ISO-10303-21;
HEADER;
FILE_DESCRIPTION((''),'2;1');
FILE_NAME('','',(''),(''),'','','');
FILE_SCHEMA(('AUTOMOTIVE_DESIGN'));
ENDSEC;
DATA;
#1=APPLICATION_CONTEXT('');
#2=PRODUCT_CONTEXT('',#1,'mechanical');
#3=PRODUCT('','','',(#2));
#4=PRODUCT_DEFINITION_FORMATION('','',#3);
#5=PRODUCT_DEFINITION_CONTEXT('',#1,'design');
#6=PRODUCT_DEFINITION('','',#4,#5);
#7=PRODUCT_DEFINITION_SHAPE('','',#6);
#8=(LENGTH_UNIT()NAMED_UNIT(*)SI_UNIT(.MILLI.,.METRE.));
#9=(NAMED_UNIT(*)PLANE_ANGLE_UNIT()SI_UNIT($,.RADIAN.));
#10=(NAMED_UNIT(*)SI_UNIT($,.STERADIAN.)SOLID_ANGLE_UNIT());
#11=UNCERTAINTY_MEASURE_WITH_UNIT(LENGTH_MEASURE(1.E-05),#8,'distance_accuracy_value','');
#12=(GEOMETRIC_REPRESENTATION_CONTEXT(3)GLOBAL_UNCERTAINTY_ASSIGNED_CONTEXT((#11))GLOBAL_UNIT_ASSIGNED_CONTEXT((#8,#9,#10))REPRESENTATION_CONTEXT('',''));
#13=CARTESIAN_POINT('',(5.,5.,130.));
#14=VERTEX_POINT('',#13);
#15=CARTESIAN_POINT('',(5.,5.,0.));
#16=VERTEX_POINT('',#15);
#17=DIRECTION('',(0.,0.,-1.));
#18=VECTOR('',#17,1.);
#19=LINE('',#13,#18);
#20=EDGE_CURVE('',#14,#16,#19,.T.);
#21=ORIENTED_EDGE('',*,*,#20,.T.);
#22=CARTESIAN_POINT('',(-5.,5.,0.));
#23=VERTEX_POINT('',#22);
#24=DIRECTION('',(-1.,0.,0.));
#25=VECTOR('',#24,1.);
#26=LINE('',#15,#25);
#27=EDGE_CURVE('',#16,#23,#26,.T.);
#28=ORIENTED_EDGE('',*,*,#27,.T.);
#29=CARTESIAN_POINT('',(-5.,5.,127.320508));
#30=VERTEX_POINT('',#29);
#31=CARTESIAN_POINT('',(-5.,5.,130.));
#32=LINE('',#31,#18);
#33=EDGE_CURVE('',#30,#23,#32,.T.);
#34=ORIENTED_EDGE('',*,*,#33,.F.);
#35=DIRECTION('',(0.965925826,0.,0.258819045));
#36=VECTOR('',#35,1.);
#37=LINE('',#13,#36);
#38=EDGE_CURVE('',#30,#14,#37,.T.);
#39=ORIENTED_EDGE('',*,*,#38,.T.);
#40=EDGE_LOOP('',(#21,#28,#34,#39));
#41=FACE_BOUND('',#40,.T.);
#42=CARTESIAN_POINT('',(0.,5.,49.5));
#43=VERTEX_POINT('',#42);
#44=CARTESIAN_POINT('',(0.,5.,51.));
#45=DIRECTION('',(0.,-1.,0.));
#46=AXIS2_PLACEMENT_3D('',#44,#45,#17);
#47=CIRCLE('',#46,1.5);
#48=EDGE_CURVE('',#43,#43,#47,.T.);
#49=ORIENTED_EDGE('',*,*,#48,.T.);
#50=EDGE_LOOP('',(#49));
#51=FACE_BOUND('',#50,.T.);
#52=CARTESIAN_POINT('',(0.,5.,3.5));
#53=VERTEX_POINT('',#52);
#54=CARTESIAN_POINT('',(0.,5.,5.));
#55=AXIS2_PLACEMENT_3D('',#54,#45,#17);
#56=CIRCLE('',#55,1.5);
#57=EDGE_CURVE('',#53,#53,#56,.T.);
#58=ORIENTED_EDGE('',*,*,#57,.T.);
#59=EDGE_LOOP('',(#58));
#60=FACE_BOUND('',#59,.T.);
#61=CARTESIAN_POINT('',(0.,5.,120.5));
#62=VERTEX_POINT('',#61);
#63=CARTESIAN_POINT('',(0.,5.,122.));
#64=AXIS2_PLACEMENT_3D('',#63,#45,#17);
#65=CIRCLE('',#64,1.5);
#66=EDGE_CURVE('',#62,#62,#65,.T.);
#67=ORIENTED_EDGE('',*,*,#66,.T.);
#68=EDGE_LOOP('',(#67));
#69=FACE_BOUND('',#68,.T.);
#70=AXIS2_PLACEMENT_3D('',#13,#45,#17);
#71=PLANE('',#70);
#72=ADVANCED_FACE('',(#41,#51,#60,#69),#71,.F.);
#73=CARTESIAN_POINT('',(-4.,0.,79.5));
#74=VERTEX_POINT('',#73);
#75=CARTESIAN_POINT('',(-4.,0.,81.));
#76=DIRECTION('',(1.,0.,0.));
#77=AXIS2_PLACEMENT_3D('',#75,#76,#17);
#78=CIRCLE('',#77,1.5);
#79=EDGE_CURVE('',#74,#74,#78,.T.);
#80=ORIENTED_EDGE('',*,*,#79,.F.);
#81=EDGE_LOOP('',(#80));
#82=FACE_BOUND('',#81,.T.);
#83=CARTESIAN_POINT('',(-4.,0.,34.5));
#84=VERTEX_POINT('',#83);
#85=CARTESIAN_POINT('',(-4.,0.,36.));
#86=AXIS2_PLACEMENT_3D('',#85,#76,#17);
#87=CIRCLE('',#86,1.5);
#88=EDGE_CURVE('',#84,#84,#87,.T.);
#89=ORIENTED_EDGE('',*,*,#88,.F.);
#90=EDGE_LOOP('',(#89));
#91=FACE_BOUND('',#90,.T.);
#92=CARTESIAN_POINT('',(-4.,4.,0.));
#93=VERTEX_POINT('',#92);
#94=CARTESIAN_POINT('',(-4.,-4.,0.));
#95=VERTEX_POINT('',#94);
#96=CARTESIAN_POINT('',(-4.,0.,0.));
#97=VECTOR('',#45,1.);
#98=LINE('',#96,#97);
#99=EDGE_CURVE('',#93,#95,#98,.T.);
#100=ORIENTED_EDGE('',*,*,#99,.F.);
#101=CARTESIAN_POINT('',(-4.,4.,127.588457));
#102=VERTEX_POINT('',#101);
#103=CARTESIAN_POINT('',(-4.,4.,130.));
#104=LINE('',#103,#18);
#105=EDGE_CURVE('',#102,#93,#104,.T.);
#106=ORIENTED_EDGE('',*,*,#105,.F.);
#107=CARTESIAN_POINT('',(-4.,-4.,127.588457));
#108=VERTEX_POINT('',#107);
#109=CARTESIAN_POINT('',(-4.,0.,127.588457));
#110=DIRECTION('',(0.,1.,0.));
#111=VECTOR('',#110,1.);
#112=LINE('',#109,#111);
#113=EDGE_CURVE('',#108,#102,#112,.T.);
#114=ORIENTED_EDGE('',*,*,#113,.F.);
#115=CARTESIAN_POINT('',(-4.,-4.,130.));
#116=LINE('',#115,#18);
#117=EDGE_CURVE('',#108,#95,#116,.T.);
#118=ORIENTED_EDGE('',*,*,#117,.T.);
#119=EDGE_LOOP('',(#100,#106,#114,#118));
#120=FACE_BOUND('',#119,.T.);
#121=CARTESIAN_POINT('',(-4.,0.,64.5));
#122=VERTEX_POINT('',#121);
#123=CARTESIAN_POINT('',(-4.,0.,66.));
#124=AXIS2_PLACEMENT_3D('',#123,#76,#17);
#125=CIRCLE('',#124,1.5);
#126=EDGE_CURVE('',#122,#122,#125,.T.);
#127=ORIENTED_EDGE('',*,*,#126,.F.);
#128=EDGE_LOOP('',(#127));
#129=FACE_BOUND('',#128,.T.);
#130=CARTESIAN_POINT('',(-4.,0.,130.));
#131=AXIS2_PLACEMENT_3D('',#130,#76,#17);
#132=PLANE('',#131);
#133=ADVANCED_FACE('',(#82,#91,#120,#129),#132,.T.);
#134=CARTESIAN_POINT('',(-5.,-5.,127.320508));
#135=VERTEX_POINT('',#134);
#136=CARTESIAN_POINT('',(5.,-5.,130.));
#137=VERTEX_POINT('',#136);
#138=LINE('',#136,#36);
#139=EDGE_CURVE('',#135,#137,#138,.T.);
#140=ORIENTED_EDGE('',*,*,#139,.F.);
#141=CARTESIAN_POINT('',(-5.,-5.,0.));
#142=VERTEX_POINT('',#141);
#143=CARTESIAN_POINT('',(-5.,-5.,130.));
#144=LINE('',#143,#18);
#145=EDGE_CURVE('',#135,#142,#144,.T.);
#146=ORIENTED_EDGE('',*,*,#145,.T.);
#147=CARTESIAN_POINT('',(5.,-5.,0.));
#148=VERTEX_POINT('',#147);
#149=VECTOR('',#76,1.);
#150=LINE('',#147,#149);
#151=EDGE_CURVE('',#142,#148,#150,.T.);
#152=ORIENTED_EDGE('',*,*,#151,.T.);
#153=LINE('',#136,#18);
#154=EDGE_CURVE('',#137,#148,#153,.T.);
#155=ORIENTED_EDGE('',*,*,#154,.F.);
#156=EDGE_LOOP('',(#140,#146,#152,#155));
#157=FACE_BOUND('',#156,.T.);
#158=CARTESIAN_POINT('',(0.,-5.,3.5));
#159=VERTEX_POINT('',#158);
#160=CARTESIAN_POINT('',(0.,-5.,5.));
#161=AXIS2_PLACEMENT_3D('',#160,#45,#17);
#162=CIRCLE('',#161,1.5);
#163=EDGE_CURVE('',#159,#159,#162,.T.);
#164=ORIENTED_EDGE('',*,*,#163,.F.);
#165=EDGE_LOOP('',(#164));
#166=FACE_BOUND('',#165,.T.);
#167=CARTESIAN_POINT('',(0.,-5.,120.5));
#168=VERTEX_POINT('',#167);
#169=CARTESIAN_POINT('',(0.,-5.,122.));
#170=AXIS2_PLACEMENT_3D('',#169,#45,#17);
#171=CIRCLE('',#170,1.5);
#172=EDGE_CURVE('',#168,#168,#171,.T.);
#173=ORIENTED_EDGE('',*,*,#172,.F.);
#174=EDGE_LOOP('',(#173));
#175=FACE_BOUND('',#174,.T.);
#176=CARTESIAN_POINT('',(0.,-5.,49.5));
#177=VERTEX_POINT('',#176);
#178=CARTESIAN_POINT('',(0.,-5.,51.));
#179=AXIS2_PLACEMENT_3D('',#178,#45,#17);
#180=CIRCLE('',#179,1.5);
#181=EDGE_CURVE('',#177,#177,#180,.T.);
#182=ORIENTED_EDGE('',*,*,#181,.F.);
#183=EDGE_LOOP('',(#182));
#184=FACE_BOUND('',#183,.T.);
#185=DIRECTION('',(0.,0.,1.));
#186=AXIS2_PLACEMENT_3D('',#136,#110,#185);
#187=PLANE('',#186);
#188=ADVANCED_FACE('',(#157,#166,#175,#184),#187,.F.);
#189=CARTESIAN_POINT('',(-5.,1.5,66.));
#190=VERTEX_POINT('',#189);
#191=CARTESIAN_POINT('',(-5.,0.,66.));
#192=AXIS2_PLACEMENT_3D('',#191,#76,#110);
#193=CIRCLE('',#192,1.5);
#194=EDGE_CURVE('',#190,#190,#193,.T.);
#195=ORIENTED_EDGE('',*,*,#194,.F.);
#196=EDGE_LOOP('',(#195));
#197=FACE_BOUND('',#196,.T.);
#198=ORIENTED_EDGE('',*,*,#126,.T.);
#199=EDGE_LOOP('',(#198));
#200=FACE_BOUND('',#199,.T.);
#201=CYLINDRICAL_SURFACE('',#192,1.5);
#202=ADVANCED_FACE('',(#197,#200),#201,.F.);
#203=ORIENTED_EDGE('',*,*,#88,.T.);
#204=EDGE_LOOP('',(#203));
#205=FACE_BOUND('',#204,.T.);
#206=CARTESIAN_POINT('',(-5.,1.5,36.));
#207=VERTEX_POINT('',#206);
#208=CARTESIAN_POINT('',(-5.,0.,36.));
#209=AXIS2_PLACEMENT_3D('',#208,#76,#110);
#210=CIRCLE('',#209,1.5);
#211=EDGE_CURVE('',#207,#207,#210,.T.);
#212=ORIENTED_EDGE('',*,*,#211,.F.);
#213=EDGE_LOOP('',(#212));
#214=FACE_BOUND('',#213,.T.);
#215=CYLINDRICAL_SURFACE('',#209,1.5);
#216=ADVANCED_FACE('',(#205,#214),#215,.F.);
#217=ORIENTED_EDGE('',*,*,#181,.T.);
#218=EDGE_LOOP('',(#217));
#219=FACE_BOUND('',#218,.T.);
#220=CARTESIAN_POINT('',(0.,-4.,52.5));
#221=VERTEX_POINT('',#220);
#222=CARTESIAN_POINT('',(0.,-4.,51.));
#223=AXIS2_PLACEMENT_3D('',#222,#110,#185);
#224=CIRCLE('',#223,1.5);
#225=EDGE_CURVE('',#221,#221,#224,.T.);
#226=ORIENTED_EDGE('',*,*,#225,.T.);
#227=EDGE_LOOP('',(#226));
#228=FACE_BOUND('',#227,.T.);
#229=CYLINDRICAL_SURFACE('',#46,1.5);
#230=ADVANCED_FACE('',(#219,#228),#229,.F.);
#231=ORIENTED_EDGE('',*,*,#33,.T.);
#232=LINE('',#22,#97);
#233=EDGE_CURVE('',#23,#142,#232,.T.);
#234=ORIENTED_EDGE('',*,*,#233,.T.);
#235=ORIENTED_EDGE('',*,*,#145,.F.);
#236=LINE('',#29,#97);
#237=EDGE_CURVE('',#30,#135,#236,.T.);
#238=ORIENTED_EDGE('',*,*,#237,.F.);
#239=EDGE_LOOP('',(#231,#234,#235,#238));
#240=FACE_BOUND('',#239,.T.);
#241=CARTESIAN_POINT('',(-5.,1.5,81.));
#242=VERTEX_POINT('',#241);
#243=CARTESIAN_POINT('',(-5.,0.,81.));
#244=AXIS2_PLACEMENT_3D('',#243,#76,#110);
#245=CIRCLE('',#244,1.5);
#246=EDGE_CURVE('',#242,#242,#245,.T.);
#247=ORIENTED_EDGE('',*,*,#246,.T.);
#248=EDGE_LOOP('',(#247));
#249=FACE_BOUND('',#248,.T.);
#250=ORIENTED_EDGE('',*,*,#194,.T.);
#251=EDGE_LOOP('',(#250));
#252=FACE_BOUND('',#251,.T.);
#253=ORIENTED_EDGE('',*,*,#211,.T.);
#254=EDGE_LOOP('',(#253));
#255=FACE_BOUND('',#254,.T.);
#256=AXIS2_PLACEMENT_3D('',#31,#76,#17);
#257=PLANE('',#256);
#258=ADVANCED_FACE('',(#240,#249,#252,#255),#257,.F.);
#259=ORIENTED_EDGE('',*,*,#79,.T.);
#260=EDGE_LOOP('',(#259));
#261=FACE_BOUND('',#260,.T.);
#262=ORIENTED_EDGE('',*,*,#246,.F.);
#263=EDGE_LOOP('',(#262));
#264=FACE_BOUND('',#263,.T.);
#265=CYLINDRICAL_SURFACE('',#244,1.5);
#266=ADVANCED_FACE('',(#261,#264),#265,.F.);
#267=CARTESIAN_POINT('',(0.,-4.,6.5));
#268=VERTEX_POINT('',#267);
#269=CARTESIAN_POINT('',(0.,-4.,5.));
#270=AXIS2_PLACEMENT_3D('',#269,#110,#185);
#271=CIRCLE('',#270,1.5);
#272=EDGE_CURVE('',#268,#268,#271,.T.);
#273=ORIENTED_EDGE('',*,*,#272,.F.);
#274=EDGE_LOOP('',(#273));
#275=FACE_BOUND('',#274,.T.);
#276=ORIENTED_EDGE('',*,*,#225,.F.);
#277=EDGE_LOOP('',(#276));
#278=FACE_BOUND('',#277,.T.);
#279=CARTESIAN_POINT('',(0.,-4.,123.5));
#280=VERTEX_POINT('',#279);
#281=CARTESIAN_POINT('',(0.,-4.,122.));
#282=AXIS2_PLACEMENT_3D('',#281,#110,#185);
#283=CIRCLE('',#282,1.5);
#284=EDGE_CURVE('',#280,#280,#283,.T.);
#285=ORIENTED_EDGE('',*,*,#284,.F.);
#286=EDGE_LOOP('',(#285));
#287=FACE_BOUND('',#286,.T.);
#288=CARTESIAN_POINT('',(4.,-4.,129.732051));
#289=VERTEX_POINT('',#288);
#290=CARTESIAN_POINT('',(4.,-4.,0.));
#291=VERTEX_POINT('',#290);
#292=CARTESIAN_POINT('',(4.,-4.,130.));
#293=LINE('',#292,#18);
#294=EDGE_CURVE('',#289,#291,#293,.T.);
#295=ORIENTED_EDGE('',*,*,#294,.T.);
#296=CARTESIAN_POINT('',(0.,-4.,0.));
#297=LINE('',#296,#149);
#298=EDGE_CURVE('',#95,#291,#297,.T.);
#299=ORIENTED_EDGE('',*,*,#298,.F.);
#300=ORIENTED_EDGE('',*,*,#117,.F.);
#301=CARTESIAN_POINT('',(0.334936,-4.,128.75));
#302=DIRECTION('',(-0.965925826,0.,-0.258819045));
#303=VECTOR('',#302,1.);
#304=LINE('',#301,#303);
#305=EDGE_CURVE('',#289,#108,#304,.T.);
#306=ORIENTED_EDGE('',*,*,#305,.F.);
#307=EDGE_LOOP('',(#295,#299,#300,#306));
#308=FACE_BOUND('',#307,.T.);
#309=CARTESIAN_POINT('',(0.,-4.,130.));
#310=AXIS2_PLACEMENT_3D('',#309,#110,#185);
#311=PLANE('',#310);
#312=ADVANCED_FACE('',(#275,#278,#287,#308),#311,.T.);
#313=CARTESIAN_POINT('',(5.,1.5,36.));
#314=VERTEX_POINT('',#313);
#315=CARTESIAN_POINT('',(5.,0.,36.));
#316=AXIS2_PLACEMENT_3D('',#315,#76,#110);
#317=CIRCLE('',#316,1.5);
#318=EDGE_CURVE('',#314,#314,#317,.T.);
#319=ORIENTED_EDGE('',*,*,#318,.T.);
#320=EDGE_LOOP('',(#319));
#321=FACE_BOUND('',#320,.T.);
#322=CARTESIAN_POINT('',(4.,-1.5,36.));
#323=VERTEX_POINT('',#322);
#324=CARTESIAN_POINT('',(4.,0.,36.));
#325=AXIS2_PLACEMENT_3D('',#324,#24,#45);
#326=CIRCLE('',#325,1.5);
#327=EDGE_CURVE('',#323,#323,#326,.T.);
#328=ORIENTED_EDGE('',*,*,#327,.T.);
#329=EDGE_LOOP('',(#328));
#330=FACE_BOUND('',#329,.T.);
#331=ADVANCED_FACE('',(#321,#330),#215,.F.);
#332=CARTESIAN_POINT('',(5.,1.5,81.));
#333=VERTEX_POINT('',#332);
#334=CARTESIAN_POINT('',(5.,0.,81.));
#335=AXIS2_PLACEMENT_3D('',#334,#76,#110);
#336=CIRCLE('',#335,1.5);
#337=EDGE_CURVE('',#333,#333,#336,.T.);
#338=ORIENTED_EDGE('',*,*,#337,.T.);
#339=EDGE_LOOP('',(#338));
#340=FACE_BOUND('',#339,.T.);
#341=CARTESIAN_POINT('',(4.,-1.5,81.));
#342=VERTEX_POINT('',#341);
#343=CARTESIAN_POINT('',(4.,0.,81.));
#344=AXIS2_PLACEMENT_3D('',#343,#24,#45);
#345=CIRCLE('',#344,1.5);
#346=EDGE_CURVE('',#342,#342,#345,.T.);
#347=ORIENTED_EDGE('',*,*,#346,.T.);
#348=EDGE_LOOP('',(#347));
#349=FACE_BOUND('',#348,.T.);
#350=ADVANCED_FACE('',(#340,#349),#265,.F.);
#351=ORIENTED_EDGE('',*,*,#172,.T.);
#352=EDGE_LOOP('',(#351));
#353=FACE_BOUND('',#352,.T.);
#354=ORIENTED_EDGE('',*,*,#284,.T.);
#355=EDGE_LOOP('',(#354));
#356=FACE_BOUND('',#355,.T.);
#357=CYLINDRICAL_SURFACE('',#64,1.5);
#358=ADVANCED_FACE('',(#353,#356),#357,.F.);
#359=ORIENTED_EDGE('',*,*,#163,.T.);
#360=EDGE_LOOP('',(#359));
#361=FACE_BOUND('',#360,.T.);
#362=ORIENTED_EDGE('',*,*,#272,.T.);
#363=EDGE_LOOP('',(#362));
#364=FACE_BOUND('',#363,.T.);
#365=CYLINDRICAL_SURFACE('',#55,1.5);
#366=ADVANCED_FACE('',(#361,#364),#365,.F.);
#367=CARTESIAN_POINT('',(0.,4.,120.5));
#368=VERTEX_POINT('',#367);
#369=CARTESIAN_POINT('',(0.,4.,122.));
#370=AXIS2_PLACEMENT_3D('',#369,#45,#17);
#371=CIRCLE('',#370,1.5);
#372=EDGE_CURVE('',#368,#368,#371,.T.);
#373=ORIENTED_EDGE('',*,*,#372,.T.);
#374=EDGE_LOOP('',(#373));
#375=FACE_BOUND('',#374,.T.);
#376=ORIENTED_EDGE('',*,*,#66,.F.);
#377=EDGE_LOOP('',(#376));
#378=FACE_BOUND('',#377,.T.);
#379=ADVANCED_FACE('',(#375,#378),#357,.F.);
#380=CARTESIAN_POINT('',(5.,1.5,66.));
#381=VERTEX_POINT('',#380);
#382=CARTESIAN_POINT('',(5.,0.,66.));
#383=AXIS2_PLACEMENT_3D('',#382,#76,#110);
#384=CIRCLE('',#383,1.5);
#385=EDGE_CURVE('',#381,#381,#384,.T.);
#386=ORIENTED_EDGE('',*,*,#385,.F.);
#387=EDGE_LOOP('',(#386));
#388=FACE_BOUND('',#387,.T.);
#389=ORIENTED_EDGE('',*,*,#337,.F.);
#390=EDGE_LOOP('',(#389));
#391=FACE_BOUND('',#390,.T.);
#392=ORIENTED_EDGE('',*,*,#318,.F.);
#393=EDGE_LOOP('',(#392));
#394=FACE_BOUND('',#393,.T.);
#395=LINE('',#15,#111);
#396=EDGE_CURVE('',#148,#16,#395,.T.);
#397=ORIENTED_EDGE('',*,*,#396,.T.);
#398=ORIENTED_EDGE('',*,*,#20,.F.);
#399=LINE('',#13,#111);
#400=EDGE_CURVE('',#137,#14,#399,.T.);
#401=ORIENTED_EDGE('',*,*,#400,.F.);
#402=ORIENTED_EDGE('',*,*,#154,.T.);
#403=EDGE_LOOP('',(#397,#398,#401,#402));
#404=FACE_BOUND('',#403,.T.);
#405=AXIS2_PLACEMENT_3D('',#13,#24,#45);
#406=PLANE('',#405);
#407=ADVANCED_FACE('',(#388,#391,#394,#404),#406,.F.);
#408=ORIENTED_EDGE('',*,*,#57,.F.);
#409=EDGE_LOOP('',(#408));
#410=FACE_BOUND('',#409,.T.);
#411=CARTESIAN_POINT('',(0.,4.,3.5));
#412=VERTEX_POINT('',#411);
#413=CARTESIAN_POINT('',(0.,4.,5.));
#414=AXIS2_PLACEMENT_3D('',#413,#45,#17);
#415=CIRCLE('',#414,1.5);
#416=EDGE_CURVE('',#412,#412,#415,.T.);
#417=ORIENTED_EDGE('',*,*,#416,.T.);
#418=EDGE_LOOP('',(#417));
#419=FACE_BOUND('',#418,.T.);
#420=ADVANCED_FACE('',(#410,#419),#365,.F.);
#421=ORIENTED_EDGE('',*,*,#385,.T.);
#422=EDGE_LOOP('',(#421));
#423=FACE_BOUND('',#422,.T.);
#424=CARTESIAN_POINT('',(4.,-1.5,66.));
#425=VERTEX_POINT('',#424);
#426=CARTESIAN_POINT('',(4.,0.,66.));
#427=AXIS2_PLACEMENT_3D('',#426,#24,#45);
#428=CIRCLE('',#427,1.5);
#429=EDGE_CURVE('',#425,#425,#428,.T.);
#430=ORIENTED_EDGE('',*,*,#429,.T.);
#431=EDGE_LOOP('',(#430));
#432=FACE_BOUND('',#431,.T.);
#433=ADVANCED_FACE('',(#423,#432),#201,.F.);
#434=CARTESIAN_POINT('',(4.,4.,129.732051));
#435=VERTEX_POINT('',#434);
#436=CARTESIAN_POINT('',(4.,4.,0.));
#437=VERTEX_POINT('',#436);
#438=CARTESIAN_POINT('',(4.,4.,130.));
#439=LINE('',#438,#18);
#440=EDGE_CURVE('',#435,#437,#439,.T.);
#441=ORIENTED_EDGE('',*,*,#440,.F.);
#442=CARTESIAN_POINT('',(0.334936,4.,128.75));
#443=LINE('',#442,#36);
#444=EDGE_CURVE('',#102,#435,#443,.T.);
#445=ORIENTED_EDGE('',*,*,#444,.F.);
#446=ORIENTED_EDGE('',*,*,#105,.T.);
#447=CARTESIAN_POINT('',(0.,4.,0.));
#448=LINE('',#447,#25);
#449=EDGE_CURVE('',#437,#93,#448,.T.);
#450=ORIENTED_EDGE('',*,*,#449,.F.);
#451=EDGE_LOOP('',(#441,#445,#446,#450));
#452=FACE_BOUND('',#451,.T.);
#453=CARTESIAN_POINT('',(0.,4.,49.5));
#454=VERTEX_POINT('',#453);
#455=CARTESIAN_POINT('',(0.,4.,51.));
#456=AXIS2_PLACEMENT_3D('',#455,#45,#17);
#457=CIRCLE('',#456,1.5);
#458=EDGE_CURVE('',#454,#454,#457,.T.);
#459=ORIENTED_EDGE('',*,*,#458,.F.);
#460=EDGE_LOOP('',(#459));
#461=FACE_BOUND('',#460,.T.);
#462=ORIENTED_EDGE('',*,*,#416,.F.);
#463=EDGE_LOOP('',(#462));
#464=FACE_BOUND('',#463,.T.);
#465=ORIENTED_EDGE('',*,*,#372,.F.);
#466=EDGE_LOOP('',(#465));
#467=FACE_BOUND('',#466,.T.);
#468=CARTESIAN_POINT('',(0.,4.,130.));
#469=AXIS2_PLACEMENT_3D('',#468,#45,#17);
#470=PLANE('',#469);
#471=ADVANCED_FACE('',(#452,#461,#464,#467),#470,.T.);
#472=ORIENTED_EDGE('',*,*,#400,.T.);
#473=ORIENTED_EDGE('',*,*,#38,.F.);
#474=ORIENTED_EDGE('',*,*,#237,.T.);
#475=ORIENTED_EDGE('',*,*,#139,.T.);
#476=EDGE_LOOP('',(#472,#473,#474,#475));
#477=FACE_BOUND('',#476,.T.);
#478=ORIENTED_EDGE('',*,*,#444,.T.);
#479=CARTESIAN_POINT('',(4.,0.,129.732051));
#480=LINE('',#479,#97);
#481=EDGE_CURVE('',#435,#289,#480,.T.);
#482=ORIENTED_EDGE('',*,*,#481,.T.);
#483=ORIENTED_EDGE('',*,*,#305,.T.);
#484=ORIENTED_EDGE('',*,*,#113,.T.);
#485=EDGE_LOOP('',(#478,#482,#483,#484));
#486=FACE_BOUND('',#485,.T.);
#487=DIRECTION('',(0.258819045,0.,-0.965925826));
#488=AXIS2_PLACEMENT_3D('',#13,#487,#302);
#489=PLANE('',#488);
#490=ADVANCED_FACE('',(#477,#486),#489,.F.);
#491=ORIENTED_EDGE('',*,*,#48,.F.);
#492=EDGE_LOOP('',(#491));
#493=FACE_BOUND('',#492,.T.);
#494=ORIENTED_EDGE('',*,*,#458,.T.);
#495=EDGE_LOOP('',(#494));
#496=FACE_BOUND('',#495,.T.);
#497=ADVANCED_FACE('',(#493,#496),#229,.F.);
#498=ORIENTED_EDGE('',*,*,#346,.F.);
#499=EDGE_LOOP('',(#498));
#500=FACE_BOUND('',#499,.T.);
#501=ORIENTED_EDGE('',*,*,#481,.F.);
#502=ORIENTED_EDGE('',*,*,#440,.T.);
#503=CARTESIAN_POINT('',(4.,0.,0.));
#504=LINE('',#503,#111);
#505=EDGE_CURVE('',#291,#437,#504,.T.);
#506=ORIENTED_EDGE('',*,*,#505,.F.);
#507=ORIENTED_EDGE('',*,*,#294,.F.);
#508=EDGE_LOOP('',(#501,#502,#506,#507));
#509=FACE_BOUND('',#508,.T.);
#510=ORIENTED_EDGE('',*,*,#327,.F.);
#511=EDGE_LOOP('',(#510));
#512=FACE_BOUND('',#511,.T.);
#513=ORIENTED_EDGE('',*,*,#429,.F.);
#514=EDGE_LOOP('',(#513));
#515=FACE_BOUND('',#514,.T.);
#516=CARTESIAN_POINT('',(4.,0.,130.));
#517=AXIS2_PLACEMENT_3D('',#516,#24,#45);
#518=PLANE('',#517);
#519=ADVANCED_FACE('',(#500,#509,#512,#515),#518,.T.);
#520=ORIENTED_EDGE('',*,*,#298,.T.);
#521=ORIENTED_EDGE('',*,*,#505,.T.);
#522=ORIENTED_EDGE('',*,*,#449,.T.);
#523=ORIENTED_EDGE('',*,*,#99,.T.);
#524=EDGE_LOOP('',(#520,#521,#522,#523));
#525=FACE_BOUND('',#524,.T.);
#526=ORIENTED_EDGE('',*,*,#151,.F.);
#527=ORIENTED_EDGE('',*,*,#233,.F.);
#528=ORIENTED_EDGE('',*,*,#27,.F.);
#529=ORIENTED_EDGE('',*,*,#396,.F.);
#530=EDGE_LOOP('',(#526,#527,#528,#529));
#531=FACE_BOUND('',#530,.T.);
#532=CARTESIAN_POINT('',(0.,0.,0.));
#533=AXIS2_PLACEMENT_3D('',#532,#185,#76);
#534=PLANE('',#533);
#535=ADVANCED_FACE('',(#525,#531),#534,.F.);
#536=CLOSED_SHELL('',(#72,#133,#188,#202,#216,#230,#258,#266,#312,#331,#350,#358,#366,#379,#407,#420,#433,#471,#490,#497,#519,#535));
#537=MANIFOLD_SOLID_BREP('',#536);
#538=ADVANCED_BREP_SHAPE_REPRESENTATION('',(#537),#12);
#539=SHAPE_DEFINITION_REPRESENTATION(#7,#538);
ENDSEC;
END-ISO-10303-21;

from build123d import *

# Parameters (mm, degrees)
SKETCH_1_W          = 10
SKETCH_1_H          = 10
SKETCH_1_W_2        = 8
SKETCH_1_H_2        = 8
EXTRUDE_1_DEPTH     = 130
SKETCH_2_R          = 1.5
CUT_EXTRUDE_1_DEPTH = 11
SKETCH_3_R          = 1.5
CUT_EXTRUDE_2_DEPTH = 11


with BuildPart() as part:
    # 草图1 → 拉伸-薄壁1 (new body)
    with BuildSketch(Plane.XY):
        Rectangle(SKETCH_1_W, SKETCH_1_H)
        Rectangle(SKETCH_1_W_2, SKETCH_1_H_2, mode=Mode.SUBTRACT)
    extrude(amount=EXTRUDE_1_DEPTH)

    # 草图2 → 切除-拉伸1 (cut, through all)
    with BuildSketch(Plane.XZ.offset(5)):
        with Locations((0, 51)):
            Circle(SKETCH_2_R)
        with Locations((0, 122)):
            Circle(SKETCH_2_R)
        with Locations((0, 5)):
            Circle(SKETCH_2_R)
        Polygon((5, 130), (-5, 127.320508076), (-5, 130), align=None)
    extrude(amount=-CUT_EXTRUDE_1_DEPTH, mode=Mode.SUBTRACT)

    # 草图3 → 切除-拉伸2 (cut, through all)
    with BuildSketch(Plane(origin=(5, 0, 0), x_dir=(0, 0, -1), z_dir=(1, 0, 0))):
        with Locations((-36, 0)):
            Circle(SKETCH_3_R)
        with Locations((-66, 0)):
            Circle(SKETCH_3_R)
        with Locations((-81, 0)):
            Circle(SKETCH_3_R)
    extrude(amount=-CUT_EXTRUDE_2_DEPTH, mode=Mode.SUBTRACT)


solid = part.part
